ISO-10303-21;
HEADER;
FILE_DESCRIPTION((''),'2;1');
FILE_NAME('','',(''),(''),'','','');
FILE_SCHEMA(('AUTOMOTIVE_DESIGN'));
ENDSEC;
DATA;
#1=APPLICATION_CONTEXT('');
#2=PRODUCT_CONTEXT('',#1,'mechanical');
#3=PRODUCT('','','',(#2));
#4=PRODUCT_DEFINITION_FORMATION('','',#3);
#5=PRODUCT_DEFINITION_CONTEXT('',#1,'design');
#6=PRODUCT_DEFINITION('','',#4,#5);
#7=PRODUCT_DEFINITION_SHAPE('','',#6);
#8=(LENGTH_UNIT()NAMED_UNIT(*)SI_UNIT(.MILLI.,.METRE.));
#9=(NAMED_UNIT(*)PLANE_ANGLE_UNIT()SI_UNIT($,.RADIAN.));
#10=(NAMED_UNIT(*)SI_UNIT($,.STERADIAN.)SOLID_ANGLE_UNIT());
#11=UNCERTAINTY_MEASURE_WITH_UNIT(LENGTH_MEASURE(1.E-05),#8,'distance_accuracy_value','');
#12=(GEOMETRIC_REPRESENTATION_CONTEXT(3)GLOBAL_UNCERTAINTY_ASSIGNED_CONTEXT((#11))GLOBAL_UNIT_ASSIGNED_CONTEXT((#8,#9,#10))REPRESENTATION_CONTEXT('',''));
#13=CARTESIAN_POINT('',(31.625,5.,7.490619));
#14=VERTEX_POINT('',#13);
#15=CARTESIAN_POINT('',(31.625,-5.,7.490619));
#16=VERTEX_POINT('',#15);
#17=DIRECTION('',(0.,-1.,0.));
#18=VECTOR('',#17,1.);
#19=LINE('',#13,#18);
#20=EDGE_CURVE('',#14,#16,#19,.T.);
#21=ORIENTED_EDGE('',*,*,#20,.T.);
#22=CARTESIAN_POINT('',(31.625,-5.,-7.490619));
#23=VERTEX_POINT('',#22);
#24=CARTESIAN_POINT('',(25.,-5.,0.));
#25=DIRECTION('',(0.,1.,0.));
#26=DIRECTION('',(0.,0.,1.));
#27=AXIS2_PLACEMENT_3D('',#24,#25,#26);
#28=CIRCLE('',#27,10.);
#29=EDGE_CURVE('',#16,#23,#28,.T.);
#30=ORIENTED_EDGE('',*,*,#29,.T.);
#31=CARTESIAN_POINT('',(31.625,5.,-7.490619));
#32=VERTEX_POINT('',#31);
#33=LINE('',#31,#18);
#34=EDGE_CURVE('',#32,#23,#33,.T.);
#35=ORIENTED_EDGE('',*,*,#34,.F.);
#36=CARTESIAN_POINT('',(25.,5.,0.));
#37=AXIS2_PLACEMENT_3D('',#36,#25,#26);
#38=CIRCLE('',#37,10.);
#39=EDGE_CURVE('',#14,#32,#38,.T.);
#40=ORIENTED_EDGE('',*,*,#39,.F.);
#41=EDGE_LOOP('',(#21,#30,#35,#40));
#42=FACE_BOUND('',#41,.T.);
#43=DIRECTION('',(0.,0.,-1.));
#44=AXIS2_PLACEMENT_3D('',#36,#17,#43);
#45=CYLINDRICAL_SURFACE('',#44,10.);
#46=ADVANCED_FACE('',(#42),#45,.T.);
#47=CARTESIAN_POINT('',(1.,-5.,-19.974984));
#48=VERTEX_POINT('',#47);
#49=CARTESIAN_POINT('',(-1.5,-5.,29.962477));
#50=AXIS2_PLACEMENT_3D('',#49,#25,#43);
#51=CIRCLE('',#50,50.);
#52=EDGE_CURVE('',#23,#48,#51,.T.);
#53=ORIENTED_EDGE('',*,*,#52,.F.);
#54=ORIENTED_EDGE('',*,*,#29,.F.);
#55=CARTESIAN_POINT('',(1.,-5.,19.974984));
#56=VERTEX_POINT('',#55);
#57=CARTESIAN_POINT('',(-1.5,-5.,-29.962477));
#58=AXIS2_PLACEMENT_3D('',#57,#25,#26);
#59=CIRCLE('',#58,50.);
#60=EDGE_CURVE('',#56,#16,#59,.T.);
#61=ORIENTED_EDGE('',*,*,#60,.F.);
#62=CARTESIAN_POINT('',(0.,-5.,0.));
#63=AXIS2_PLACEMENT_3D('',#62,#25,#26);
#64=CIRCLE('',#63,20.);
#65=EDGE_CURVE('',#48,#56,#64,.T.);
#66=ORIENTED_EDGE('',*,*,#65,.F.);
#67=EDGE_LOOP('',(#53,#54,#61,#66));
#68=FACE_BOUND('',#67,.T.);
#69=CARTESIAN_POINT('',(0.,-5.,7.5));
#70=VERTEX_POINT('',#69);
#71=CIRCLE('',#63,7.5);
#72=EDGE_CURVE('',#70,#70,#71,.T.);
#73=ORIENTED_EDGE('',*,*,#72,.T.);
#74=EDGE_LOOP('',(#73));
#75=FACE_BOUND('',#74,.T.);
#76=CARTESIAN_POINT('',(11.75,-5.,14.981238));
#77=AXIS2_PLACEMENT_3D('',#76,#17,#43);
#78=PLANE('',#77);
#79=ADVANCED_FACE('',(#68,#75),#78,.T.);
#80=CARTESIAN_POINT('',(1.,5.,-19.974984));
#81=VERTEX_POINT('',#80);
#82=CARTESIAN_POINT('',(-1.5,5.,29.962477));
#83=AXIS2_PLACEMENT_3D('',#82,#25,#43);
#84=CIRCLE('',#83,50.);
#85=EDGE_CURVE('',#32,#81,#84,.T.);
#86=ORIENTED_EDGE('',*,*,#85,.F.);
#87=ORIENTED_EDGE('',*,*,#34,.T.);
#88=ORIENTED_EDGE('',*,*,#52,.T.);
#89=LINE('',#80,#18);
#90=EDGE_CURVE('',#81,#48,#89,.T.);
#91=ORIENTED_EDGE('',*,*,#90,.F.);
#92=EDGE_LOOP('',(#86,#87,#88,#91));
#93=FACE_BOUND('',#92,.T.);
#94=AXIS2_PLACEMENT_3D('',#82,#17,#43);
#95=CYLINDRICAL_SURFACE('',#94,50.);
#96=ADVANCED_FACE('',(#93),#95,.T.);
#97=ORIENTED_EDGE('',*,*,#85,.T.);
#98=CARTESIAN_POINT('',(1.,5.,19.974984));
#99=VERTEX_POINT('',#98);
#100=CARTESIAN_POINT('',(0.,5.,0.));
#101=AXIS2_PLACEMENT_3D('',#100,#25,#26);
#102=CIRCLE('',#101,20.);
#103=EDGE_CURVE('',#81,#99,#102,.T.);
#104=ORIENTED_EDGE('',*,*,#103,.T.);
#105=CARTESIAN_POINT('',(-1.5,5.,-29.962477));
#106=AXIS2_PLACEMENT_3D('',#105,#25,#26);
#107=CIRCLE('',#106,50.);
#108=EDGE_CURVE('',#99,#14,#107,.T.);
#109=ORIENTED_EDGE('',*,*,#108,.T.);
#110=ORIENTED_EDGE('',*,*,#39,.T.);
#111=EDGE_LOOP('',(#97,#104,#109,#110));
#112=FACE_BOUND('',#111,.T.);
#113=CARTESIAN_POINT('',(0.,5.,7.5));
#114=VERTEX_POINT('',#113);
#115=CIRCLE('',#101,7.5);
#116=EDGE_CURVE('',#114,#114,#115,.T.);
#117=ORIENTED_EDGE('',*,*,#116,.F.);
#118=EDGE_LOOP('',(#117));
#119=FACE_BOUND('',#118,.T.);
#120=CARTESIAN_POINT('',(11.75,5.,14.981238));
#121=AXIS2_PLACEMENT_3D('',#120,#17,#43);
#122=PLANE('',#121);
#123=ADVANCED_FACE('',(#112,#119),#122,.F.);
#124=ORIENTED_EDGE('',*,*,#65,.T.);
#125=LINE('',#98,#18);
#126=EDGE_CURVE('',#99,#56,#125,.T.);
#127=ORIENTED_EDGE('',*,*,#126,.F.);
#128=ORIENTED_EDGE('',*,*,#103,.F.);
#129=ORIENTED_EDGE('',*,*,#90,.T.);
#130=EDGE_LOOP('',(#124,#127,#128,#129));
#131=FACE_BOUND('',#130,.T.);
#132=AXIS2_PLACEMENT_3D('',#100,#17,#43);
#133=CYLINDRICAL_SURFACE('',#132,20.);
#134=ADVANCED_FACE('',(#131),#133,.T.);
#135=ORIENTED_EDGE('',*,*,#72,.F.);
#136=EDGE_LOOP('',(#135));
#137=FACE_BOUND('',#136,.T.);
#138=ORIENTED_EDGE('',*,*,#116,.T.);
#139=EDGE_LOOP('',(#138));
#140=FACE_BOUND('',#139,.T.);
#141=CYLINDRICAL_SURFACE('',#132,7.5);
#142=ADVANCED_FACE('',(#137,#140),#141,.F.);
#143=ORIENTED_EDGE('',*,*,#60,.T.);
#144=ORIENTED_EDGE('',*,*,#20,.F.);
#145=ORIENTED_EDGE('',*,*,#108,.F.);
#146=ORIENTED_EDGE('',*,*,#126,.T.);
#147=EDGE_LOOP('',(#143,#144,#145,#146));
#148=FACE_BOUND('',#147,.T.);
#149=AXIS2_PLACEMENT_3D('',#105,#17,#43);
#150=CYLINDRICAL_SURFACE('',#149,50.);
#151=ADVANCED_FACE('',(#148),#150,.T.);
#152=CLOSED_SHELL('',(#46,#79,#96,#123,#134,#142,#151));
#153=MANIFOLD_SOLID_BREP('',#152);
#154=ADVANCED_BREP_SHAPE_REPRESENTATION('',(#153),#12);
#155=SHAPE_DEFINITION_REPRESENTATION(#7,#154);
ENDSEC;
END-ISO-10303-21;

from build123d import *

# Parameters (mm, degrees)
SKETCH1_R           = 7.5
BOSS_EXTRUDE1_DEPTH = 5


with BuildPart() as part:
    # Sketch1 → Boss-Extrude1 (new, symmetric)
    with BuildSketch(Plane(origin=(0, 0, 0), x_dir=(1, 0, 0), z_dir=(0, 1, 0))):
        with BuildLine():
            ThreePointArc((1, 19.974984355), (-20, 0), (1, -19.974984355))
            ThreePointArc((1, -19.974984355), (17.374586088, -16.33817141), (31.625, -7.490619133))
            ThreePointArc((31.625, -7.490619133), (35, 0), (31.625, 7.490619133))
            ThreePointArc((31.625, 7.490619133), (17.374586088, 16.33817141), (1, 19.974984355))
        make_face()
        Circle(SKETCH1_R, mode=Mode.SUBTRACT)
    extrude(amount=BOSS_EXTRUDE1_DEPTH, both=True)


solid = part.part
